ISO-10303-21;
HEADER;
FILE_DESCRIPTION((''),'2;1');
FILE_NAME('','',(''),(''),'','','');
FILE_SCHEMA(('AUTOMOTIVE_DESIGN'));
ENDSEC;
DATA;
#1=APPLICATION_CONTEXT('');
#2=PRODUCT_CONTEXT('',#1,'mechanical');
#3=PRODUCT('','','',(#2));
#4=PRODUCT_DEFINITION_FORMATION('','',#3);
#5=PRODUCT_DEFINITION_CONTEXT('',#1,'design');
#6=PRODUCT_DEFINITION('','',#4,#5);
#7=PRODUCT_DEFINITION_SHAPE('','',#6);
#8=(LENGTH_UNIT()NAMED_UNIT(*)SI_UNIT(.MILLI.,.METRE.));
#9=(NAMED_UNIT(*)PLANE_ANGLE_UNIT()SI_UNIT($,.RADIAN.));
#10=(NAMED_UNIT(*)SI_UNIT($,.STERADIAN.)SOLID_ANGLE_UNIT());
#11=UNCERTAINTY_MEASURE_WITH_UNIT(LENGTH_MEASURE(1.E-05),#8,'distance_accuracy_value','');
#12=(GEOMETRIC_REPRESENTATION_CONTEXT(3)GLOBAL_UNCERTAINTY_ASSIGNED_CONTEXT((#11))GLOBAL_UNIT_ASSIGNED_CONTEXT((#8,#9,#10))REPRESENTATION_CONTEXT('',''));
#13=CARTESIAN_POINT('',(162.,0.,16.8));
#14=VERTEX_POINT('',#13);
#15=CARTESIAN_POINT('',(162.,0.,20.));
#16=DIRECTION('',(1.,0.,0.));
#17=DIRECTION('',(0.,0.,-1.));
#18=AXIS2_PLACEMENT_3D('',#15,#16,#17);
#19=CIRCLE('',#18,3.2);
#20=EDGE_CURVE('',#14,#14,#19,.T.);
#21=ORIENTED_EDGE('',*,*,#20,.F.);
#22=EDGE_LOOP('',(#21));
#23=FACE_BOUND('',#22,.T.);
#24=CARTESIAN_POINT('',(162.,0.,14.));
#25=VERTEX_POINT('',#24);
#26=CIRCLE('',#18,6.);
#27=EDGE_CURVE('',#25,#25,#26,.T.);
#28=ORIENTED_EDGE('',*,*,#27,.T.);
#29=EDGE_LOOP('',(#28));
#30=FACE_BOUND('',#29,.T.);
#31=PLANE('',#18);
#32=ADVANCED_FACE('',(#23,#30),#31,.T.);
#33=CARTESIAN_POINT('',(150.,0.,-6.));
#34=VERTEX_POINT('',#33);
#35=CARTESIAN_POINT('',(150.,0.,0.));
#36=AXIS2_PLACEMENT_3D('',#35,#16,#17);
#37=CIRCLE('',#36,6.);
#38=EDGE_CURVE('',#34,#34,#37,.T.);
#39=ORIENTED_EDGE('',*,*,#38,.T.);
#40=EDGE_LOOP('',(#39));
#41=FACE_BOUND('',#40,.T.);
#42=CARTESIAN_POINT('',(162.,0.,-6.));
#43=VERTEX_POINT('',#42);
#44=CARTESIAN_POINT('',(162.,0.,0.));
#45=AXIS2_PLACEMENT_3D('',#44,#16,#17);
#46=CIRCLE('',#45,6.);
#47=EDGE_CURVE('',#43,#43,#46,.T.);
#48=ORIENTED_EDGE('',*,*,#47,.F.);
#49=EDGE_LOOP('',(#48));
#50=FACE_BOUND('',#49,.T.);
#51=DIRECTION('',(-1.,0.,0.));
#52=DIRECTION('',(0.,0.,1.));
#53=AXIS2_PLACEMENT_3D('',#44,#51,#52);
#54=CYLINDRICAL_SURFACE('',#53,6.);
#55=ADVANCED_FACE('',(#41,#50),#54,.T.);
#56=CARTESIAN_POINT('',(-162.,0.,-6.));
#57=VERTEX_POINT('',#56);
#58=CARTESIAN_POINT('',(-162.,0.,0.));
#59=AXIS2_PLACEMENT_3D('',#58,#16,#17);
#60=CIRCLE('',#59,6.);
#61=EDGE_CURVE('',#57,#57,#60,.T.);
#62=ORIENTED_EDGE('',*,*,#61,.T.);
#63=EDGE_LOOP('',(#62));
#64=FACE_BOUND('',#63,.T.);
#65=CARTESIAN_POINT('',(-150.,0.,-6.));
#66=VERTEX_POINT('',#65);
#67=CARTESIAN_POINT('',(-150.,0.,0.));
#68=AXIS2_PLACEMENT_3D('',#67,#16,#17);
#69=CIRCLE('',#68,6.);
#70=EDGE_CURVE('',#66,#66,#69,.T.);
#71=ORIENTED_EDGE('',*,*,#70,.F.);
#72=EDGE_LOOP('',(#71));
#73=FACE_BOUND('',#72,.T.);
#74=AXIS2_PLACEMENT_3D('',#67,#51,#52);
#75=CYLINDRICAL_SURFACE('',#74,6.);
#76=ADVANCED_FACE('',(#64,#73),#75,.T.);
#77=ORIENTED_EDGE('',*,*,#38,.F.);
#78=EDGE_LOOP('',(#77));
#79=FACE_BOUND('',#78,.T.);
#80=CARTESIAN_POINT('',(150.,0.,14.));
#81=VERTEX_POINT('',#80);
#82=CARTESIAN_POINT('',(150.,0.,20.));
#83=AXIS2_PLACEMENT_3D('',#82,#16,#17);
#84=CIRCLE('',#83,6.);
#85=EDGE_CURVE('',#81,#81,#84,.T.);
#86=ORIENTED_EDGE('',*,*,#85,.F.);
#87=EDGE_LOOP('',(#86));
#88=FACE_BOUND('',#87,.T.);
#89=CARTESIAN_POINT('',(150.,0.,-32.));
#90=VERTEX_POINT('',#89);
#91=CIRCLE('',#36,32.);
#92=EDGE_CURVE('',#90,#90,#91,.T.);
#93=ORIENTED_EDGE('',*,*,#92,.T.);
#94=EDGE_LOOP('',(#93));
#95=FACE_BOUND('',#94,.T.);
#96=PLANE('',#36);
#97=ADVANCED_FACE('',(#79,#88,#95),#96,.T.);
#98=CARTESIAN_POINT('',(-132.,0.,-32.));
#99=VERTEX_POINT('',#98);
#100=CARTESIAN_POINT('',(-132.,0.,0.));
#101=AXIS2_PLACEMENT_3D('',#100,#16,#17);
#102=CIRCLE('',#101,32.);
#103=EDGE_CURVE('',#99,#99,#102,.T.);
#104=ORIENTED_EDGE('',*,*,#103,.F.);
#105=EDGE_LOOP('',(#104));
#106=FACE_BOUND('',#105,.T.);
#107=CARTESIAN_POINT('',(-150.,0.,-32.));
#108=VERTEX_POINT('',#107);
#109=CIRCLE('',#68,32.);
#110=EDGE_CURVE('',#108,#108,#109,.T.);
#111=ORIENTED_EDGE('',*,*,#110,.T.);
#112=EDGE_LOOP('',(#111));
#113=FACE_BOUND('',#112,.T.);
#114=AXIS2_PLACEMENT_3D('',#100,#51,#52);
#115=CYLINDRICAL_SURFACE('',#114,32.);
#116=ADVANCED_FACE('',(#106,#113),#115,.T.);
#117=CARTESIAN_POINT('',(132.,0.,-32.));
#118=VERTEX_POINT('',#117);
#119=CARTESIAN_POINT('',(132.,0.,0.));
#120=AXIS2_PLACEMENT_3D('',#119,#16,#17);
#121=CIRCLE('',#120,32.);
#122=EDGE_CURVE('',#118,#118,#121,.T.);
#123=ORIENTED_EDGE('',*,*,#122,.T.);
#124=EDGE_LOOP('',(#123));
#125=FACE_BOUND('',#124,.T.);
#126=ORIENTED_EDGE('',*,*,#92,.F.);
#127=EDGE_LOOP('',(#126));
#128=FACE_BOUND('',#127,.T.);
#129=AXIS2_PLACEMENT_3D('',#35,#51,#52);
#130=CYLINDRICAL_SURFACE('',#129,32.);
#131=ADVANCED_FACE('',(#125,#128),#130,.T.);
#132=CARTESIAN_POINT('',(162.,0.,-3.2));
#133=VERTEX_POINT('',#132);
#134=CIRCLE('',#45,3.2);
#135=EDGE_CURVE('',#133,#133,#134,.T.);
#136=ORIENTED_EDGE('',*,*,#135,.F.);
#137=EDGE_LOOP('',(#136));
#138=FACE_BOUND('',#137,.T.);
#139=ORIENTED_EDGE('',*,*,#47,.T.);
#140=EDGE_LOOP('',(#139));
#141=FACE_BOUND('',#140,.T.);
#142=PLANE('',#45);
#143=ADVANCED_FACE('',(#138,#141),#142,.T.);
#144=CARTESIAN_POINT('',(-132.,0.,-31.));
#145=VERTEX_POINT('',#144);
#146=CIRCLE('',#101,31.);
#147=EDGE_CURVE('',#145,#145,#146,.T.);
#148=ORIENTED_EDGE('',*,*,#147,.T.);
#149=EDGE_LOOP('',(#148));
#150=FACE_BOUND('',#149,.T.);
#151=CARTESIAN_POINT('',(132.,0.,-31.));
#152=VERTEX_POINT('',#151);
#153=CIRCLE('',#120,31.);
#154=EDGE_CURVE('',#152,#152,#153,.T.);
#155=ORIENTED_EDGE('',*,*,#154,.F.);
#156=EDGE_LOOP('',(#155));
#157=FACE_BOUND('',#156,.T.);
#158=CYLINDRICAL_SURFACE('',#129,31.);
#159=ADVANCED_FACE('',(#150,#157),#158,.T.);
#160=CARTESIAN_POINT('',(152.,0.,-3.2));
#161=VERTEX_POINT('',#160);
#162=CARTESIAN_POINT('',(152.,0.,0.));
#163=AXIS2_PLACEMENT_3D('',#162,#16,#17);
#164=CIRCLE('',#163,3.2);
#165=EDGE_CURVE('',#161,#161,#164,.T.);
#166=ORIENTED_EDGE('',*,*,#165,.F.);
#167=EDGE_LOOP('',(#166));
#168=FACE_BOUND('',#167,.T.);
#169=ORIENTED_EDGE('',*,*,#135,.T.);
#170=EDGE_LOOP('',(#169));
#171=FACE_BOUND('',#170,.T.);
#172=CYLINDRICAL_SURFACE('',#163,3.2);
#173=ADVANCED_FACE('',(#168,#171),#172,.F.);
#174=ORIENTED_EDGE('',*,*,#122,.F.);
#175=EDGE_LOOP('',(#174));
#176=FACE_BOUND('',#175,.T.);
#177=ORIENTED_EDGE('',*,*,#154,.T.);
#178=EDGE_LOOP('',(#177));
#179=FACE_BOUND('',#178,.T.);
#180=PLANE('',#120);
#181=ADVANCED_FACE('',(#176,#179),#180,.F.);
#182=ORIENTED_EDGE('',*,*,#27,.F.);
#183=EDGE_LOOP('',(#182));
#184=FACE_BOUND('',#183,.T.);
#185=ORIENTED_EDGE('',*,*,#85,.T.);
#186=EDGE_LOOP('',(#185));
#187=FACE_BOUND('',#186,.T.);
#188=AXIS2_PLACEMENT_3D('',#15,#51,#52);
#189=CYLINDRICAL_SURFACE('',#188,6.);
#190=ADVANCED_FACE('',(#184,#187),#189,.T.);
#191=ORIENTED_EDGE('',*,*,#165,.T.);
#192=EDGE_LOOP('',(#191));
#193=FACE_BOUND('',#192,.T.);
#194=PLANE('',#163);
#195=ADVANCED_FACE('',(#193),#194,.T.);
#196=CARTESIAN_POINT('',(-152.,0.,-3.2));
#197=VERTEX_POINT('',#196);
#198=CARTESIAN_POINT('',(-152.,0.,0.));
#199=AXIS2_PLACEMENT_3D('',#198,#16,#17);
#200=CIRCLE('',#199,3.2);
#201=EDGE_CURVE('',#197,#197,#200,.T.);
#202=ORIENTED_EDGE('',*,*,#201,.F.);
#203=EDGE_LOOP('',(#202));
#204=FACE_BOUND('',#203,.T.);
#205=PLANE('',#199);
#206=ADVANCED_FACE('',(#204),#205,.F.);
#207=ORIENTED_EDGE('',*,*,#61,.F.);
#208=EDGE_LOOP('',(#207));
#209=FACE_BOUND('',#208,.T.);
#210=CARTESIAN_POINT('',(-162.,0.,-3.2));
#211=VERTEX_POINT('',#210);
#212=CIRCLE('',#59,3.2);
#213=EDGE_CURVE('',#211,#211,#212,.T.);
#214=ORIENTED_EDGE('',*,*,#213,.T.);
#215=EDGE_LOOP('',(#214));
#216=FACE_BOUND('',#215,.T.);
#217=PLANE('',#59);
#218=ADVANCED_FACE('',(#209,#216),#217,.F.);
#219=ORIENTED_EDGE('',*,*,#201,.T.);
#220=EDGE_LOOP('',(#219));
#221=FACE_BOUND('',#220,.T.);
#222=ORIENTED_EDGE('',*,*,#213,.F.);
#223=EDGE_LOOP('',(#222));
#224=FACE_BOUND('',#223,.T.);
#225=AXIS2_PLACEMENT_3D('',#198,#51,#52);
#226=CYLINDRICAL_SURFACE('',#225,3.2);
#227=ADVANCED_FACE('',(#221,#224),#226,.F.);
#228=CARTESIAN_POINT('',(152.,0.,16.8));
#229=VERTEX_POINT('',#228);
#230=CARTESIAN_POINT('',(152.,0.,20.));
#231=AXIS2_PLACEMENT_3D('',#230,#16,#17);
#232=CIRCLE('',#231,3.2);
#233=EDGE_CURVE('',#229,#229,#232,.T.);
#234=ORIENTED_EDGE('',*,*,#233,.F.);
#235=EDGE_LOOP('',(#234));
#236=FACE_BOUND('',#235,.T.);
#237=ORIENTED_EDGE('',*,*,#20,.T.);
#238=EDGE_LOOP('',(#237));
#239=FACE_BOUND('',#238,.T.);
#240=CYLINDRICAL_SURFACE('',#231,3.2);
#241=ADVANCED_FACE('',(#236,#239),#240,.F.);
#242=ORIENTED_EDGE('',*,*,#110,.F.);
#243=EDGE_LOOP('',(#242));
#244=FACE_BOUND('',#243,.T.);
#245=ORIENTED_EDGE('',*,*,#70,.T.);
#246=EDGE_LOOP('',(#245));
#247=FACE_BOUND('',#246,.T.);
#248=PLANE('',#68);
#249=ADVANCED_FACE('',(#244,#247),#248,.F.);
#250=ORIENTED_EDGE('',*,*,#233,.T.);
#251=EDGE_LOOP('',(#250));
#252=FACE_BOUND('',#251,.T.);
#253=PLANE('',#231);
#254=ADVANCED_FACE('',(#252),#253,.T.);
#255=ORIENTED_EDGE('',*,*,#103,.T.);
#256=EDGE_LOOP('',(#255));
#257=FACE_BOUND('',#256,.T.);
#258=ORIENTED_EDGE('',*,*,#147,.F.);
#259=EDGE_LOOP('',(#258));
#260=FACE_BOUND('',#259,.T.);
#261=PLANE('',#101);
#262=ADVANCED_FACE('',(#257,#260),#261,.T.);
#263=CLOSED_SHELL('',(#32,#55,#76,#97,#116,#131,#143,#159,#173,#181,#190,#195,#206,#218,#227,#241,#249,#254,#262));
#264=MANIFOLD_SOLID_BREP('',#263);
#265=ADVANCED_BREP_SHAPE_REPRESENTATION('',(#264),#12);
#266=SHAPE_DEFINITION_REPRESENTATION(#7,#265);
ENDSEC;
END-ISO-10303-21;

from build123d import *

# Parameters (mm, degrees)
BODY_START          = -150
SKETCH1_R           = 31
BODY_DEPTH          = 300
END_CAP_IN_START    = -150
SKETCH2_R           = 32
END_CAP_IN_DEPTH    = 18
END_CAP_OUT_START   = 132
SKETCH3_R           = 32
END_CAP_OUT_DEPTH   = 18
INLET_PORT_START    = -162
SKETCH4_R           = 6
INLET_PORT_DEPTH    = 12
INLET_SOCKET_START  = -162
SKETCH5_R           = 3.2
INLET_SOCKET_DEPTH  = 10
OUTLET_PORT_START   = 150
SKETCH6_R           = 6
OUTLET_PORT_DEPTH   = 12
OUTLET_SOCKET_START = 152
SKETCH7_R           = 3.2
OUTLET_SOCKET_DEPTH = 10
REJECT_PORT_START   = 150
SKETCH8_R           = 6
REJECT_PORT_DEPTH   = 12
REJECT_SOCKET_START = 162
SKETCH9_R           = 3.2
REJECT_SOCKET_DEPTH = 10


with BuildPart() as part:
    # Sketch1 → Body (new body)
    with BuildSketch(Plane(origin=(0, 0, 0), x_dir=(0, 0, -1), z_dir=(1, 0, 0)).offset(BODY_START)):
        Circle(SKETCH1_R)
    extrude(amount=BODY_DEPTH)

    # Sketch2 → End_Cap_In (add)
    with BuildSketch(Plane(origin=(0, 0, 0), x_dir=(0, 0, -1), z_dir=(1, 0, 0)).offset(END_CAP_IN_START)):
        Circle(SKETCH2_R)
    extrude(amount=END_CAP_IN_DEPTH)

    # Sketch3 → End_Cap_Out (add)
    with BuildSketch(Plane(origin=(0, 0, 0), x_dir=(0, 0, -1), z_dir=(1, 0, 0)).offset(END_CAP_OUT_START)):
        Circle(SKETCH3_R)
    extrude(amount=END_CAP_OUT_DEPTH)

    # Sketch4 → Inlet_Port (add)
    with BuildSketch(Plane(origin=(0, 0, 0), x_dir=(0, 0, -1), z_dir=(1, 0, 0)).offset(INLET_PORT_START)):
        Circle(SKETCH4_R)
    extrude(amount=INLET_PORT_DEPTH)

    # Sketch5 → Inlet_Socket (cut)
    with BuildSketch(Plane(origin=(0, 0, 0), x_dir=(0, 0, -1), z_dir=(1, 0, 0)).offset(INLET_SOCKET_START)):
        Circle(SKETCH5_R)
    extrude(amount=INLET_SOCKET_DEPTH, mode=Mode.SUBTRACT)

    # Sketch6 → Outlet_Port (add)
    with BuildSketch(Plane(origin=(0, 0, 0), x_dir=(0, 0, -1), z_dir=(1, 0, 0)).offset(OUTLET_PORT_START)):
        Circle(SKETCH6_R)
    extrude(amount=OUTLET_PORT_DEPTH)

    # Sketch7 → Outlet_Socket (cut)
    with BuildSketch(Plane(origin=(0, 0, 0), x_dir=(0, 0, -1), z_dir=(1, 0, 0)).offset(OUTLET_SOCKET_START)):
        Circle(SKETCH7_R)
    extrude(amount=OUTLET_SOCKET_DEPTH, mode=Mode.SUBTRACT)

    # Sketch8 → Reject_Port (add)
    with BuildSketch(Plane(origin=(0, 0, 0), x_dir=(0, 0, -1), z_dir=(1, 0, 0)).offset(REJECT_PORT_START)):
        with Locations((-20, 0)):
            Circle(SKETCH8_R)
    extrude(amount=REJECT_PORT_DEPTH)

    # Sketch9 → Reject_Socket (cut)
    with BuildSketch(Plane(origin=(0, 0, 0), x_dir=(0, 0, -1), z_dir=(1, 0, 0)).offset(REJECT_SOCKET_START)):
        with Locations((-20, 0)):
            Circle(SKETCH9_R)
    extrude(amount=-REJECT_SOCKET_DEPTH, mode=Mode.SUBTRACT)


solid = part.part
